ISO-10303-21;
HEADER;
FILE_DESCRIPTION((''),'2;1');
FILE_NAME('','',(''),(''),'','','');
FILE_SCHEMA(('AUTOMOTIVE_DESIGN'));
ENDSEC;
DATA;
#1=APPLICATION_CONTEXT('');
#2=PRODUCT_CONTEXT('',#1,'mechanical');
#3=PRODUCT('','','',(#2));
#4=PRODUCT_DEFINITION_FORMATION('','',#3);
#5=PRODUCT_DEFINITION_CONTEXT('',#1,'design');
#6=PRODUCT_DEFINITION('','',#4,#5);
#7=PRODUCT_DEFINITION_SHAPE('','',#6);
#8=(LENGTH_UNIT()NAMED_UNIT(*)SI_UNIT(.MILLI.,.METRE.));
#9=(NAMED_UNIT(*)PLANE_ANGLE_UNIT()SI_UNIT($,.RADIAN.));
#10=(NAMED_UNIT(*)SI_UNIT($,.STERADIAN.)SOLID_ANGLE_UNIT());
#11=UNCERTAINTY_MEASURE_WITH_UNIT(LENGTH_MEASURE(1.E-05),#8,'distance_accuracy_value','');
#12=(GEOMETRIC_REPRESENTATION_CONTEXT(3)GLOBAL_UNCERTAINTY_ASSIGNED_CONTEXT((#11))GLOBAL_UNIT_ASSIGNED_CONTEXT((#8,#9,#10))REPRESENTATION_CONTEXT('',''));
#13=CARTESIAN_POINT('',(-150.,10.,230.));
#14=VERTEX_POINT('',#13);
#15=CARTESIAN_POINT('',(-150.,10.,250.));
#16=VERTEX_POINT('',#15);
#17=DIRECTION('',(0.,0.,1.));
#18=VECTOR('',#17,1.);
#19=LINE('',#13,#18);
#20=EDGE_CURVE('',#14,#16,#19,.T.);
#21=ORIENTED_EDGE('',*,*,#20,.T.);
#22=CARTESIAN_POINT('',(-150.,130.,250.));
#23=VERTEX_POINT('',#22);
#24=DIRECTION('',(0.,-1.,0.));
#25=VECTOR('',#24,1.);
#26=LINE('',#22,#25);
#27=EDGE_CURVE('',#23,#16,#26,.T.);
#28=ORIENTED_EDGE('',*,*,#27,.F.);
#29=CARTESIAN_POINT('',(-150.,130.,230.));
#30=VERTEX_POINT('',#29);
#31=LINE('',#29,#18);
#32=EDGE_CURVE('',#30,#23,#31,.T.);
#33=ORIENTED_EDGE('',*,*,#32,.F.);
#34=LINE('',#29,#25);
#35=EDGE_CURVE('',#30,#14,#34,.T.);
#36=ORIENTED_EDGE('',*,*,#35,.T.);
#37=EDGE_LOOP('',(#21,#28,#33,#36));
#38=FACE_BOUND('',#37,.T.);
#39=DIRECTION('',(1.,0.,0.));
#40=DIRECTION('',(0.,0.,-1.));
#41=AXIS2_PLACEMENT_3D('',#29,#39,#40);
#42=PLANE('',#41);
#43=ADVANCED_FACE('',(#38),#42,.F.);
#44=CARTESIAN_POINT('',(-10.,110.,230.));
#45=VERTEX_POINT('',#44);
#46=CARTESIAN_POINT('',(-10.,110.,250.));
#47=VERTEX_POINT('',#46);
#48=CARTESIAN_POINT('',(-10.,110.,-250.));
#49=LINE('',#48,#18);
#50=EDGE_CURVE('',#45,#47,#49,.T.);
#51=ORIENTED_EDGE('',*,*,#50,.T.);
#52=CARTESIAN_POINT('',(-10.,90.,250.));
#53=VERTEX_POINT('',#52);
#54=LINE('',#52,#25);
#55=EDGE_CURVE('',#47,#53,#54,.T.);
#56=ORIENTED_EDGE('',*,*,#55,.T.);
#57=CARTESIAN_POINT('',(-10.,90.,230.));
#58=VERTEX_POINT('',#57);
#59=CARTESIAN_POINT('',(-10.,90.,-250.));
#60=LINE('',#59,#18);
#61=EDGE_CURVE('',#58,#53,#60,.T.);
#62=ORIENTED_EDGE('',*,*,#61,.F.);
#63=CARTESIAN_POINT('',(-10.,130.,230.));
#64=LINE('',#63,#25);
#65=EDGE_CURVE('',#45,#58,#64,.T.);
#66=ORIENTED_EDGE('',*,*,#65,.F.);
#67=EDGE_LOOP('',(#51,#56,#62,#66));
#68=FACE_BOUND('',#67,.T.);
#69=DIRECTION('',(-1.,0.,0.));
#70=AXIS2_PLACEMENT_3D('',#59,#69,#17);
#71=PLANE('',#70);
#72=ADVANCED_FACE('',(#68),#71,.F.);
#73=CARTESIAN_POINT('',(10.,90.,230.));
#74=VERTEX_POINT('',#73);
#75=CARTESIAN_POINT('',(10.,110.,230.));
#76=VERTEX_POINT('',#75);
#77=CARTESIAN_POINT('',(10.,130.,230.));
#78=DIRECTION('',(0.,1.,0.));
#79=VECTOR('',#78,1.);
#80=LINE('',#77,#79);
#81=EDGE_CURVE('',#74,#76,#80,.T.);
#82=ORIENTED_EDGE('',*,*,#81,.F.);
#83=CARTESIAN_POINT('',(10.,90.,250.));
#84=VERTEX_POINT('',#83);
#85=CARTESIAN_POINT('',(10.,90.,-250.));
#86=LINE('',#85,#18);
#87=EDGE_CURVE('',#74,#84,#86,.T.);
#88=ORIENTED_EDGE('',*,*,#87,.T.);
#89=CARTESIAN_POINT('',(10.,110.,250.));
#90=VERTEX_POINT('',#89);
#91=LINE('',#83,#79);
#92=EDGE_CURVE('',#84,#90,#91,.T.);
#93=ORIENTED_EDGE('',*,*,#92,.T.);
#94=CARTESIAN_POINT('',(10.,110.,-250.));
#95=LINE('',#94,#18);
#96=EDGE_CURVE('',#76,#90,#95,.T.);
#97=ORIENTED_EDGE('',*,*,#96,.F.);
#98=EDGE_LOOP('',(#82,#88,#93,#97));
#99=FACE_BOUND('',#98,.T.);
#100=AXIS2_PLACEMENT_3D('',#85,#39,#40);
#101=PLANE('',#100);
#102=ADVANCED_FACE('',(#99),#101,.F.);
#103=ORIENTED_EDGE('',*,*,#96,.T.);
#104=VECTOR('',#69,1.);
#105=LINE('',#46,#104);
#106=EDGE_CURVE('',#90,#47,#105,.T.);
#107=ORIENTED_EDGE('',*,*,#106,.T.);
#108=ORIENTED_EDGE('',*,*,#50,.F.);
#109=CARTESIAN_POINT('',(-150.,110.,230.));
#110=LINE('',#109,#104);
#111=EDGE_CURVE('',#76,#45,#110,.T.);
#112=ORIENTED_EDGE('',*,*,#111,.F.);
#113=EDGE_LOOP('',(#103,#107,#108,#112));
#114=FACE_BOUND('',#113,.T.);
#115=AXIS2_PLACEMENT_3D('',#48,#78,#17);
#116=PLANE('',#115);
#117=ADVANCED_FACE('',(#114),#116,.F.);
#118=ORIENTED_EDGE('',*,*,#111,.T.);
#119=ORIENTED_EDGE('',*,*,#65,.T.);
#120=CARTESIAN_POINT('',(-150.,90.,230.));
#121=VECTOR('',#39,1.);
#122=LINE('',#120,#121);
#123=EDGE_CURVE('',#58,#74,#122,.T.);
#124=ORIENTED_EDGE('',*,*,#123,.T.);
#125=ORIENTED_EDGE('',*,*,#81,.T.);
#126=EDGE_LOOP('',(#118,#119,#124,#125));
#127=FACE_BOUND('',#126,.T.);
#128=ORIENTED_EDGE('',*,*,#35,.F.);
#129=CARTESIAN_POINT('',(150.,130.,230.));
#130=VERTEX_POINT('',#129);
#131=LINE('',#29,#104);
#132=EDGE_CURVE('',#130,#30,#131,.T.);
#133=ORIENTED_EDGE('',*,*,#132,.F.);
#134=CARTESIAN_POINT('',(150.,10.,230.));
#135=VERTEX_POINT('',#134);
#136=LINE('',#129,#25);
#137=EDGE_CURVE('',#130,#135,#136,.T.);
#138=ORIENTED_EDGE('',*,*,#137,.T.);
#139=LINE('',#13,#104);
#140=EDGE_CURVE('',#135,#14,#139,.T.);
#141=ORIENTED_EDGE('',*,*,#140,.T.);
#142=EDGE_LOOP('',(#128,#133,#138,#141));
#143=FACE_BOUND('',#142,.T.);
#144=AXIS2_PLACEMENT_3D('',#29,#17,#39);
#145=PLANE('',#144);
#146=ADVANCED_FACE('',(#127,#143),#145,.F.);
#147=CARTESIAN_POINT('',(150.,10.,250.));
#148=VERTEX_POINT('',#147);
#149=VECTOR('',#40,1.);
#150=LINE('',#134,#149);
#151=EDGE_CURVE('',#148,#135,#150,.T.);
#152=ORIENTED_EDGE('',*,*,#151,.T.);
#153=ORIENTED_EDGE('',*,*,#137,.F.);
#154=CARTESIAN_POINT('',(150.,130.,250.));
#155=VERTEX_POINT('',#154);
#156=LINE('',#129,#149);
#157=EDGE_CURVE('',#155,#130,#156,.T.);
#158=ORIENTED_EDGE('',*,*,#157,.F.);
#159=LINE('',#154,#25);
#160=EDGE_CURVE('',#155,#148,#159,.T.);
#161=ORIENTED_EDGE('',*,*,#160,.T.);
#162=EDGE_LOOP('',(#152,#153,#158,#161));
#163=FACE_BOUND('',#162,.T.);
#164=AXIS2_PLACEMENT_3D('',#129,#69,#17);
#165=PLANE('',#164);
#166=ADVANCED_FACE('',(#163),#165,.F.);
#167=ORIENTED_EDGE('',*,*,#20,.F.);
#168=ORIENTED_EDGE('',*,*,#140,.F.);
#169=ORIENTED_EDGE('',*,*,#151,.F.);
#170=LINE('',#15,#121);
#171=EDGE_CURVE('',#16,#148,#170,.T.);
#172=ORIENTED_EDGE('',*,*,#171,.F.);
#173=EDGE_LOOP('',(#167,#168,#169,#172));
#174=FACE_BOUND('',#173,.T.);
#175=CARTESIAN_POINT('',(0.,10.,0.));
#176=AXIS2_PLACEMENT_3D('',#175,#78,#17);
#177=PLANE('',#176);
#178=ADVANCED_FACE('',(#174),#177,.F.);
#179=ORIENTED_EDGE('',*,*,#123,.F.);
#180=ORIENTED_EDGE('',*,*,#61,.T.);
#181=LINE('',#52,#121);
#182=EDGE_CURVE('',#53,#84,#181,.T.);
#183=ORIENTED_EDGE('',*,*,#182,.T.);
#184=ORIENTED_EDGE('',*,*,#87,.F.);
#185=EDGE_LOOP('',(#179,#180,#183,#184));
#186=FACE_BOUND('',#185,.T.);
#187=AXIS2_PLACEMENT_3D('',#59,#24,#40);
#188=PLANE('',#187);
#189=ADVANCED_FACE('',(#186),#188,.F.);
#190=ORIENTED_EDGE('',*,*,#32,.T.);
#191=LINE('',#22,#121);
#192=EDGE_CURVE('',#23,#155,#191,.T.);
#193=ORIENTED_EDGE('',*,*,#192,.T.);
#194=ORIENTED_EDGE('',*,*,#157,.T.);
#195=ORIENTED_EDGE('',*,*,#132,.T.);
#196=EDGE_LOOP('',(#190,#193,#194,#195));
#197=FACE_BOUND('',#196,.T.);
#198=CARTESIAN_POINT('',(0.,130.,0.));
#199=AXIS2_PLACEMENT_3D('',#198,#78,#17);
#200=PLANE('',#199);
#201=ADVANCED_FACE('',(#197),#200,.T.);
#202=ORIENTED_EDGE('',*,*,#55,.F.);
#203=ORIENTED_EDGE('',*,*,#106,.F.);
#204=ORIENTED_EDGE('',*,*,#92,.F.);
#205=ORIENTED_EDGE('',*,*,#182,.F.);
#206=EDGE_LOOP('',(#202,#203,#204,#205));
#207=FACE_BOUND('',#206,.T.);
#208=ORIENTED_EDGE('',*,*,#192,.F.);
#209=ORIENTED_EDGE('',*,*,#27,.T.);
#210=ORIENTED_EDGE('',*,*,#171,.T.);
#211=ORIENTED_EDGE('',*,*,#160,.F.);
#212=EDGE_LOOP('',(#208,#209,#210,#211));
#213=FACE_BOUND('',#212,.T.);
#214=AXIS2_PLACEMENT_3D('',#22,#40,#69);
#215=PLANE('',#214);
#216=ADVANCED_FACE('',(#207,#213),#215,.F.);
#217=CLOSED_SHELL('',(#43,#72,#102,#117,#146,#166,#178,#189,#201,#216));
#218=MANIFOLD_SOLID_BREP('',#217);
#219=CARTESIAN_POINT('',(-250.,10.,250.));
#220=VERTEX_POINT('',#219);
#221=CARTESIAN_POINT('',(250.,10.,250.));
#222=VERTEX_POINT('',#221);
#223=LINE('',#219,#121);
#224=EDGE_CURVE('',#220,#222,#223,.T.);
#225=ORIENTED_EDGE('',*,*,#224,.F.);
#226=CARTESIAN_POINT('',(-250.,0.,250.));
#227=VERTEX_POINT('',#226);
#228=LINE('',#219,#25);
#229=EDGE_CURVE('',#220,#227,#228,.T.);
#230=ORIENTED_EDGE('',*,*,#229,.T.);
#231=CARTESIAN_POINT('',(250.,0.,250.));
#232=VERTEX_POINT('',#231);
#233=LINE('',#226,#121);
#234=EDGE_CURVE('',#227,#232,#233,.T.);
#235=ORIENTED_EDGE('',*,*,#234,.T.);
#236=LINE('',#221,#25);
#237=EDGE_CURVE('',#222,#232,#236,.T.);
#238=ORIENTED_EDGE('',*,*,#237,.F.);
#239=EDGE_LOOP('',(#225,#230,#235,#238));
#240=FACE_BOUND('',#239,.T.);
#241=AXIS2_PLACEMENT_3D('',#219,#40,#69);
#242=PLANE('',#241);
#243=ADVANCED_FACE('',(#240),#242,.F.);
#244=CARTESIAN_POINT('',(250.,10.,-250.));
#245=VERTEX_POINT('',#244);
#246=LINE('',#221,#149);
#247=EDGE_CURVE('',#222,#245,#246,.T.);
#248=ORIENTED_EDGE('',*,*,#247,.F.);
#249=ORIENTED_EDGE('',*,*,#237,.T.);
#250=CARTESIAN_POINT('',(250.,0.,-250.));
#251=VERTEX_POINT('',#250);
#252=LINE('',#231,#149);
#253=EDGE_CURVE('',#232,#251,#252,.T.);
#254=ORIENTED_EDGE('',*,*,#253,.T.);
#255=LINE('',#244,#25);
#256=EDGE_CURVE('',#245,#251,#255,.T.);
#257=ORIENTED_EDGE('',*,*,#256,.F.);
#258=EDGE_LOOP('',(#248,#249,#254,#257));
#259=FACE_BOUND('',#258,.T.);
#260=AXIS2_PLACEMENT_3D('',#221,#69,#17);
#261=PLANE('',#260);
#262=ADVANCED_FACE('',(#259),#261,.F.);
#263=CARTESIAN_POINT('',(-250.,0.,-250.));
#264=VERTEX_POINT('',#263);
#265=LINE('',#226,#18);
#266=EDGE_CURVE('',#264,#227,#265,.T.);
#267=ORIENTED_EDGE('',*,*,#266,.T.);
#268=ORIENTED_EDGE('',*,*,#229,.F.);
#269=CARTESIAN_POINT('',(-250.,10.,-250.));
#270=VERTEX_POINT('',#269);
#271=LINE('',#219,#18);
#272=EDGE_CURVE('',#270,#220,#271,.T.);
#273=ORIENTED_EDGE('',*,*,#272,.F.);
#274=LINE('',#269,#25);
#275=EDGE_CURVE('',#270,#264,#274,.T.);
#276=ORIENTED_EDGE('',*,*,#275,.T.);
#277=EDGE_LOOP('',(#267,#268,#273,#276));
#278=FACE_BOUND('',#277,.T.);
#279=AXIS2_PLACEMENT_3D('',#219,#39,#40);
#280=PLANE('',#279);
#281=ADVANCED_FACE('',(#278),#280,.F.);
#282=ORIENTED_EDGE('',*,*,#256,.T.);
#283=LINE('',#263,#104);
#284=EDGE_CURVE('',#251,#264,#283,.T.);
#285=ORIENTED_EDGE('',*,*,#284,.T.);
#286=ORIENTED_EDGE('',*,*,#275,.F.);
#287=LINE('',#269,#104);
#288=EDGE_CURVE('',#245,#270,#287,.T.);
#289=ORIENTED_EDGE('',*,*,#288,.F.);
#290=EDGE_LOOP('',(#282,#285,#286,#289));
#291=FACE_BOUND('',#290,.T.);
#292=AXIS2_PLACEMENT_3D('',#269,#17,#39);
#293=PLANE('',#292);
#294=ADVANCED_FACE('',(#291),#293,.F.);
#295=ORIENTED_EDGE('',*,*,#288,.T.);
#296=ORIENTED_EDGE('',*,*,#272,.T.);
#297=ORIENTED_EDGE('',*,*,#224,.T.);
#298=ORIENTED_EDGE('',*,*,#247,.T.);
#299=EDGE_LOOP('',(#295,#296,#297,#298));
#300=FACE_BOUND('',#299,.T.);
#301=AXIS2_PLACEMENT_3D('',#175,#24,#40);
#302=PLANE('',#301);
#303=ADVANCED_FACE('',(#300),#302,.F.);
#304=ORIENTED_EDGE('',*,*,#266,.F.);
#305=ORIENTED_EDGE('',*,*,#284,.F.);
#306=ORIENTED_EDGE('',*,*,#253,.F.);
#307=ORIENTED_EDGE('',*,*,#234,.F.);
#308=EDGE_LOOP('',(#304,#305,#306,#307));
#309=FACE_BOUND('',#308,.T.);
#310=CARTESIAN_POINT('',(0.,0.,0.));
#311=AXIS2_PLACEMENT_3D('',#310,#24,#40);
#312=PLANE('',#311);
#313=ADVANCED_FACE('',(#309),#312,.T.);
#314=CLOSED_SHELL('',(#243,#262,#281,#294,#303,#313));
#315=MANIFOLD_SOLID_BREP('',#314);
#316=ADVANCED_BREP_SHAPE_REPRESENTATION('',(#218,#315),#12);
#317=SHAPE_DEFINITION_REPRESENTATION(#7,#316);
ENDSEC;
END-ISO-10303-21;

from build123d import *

# Parameters (mm, degrees)
SKETCH1_W           = 500
SKETCH1_H           = 500
BOSS_EXTRUDE1_DEPTH = 10
SKETCH5_W           = 300
SKETCH5_H           = 20
BOSS_EXTRUDE4_DEPTH = 120
SKETCH7_W           = 20
SKETCH7_H           = 20
CUT_EXTRUDE1_DEPTH  = 574.933794091


with BuildPart() as part:
    # Sketch1 → Boss-Extrude1 (new body)
    with BuildSketch(Plane(origin=(0, 0, 0), x_dir=(1, 0, 0), z_dir=(0, 1, 0))):
        Rectangle(SKETCH1_W, SKETCH1_H)
    extrude(amount=BOSS_EXTRUDE1_DEPTH)


with BuildPart() as body_2:
    # Sketch5 → Boss-Extrude4 (new body)
    with BuildSketch(Plane(origin=(0, 10, 0), x_dir=(1, 0, 0), z_dir=(0, 1, 0))):
        with Locations((0, -240)):
            Rectangle(SKETCH5_W, SKETCH5_H)
    extrude(amount=BOSS_EXTRUDE4_DEPTH)

    # Sketch7 → Cut-Extrude1 (cut, through all)
    with BuildSketch(Plane.XY.offset(250)):
        with Locations((0, 100)):
            Rectangle(SKETCH7_W, SKETCH7_H)
    extrude(amount=-CUT_EXTRUDE1_DEPTH, mode=Mode.SUBTRACT)


solid = Compound([part.part, body_2.part])
